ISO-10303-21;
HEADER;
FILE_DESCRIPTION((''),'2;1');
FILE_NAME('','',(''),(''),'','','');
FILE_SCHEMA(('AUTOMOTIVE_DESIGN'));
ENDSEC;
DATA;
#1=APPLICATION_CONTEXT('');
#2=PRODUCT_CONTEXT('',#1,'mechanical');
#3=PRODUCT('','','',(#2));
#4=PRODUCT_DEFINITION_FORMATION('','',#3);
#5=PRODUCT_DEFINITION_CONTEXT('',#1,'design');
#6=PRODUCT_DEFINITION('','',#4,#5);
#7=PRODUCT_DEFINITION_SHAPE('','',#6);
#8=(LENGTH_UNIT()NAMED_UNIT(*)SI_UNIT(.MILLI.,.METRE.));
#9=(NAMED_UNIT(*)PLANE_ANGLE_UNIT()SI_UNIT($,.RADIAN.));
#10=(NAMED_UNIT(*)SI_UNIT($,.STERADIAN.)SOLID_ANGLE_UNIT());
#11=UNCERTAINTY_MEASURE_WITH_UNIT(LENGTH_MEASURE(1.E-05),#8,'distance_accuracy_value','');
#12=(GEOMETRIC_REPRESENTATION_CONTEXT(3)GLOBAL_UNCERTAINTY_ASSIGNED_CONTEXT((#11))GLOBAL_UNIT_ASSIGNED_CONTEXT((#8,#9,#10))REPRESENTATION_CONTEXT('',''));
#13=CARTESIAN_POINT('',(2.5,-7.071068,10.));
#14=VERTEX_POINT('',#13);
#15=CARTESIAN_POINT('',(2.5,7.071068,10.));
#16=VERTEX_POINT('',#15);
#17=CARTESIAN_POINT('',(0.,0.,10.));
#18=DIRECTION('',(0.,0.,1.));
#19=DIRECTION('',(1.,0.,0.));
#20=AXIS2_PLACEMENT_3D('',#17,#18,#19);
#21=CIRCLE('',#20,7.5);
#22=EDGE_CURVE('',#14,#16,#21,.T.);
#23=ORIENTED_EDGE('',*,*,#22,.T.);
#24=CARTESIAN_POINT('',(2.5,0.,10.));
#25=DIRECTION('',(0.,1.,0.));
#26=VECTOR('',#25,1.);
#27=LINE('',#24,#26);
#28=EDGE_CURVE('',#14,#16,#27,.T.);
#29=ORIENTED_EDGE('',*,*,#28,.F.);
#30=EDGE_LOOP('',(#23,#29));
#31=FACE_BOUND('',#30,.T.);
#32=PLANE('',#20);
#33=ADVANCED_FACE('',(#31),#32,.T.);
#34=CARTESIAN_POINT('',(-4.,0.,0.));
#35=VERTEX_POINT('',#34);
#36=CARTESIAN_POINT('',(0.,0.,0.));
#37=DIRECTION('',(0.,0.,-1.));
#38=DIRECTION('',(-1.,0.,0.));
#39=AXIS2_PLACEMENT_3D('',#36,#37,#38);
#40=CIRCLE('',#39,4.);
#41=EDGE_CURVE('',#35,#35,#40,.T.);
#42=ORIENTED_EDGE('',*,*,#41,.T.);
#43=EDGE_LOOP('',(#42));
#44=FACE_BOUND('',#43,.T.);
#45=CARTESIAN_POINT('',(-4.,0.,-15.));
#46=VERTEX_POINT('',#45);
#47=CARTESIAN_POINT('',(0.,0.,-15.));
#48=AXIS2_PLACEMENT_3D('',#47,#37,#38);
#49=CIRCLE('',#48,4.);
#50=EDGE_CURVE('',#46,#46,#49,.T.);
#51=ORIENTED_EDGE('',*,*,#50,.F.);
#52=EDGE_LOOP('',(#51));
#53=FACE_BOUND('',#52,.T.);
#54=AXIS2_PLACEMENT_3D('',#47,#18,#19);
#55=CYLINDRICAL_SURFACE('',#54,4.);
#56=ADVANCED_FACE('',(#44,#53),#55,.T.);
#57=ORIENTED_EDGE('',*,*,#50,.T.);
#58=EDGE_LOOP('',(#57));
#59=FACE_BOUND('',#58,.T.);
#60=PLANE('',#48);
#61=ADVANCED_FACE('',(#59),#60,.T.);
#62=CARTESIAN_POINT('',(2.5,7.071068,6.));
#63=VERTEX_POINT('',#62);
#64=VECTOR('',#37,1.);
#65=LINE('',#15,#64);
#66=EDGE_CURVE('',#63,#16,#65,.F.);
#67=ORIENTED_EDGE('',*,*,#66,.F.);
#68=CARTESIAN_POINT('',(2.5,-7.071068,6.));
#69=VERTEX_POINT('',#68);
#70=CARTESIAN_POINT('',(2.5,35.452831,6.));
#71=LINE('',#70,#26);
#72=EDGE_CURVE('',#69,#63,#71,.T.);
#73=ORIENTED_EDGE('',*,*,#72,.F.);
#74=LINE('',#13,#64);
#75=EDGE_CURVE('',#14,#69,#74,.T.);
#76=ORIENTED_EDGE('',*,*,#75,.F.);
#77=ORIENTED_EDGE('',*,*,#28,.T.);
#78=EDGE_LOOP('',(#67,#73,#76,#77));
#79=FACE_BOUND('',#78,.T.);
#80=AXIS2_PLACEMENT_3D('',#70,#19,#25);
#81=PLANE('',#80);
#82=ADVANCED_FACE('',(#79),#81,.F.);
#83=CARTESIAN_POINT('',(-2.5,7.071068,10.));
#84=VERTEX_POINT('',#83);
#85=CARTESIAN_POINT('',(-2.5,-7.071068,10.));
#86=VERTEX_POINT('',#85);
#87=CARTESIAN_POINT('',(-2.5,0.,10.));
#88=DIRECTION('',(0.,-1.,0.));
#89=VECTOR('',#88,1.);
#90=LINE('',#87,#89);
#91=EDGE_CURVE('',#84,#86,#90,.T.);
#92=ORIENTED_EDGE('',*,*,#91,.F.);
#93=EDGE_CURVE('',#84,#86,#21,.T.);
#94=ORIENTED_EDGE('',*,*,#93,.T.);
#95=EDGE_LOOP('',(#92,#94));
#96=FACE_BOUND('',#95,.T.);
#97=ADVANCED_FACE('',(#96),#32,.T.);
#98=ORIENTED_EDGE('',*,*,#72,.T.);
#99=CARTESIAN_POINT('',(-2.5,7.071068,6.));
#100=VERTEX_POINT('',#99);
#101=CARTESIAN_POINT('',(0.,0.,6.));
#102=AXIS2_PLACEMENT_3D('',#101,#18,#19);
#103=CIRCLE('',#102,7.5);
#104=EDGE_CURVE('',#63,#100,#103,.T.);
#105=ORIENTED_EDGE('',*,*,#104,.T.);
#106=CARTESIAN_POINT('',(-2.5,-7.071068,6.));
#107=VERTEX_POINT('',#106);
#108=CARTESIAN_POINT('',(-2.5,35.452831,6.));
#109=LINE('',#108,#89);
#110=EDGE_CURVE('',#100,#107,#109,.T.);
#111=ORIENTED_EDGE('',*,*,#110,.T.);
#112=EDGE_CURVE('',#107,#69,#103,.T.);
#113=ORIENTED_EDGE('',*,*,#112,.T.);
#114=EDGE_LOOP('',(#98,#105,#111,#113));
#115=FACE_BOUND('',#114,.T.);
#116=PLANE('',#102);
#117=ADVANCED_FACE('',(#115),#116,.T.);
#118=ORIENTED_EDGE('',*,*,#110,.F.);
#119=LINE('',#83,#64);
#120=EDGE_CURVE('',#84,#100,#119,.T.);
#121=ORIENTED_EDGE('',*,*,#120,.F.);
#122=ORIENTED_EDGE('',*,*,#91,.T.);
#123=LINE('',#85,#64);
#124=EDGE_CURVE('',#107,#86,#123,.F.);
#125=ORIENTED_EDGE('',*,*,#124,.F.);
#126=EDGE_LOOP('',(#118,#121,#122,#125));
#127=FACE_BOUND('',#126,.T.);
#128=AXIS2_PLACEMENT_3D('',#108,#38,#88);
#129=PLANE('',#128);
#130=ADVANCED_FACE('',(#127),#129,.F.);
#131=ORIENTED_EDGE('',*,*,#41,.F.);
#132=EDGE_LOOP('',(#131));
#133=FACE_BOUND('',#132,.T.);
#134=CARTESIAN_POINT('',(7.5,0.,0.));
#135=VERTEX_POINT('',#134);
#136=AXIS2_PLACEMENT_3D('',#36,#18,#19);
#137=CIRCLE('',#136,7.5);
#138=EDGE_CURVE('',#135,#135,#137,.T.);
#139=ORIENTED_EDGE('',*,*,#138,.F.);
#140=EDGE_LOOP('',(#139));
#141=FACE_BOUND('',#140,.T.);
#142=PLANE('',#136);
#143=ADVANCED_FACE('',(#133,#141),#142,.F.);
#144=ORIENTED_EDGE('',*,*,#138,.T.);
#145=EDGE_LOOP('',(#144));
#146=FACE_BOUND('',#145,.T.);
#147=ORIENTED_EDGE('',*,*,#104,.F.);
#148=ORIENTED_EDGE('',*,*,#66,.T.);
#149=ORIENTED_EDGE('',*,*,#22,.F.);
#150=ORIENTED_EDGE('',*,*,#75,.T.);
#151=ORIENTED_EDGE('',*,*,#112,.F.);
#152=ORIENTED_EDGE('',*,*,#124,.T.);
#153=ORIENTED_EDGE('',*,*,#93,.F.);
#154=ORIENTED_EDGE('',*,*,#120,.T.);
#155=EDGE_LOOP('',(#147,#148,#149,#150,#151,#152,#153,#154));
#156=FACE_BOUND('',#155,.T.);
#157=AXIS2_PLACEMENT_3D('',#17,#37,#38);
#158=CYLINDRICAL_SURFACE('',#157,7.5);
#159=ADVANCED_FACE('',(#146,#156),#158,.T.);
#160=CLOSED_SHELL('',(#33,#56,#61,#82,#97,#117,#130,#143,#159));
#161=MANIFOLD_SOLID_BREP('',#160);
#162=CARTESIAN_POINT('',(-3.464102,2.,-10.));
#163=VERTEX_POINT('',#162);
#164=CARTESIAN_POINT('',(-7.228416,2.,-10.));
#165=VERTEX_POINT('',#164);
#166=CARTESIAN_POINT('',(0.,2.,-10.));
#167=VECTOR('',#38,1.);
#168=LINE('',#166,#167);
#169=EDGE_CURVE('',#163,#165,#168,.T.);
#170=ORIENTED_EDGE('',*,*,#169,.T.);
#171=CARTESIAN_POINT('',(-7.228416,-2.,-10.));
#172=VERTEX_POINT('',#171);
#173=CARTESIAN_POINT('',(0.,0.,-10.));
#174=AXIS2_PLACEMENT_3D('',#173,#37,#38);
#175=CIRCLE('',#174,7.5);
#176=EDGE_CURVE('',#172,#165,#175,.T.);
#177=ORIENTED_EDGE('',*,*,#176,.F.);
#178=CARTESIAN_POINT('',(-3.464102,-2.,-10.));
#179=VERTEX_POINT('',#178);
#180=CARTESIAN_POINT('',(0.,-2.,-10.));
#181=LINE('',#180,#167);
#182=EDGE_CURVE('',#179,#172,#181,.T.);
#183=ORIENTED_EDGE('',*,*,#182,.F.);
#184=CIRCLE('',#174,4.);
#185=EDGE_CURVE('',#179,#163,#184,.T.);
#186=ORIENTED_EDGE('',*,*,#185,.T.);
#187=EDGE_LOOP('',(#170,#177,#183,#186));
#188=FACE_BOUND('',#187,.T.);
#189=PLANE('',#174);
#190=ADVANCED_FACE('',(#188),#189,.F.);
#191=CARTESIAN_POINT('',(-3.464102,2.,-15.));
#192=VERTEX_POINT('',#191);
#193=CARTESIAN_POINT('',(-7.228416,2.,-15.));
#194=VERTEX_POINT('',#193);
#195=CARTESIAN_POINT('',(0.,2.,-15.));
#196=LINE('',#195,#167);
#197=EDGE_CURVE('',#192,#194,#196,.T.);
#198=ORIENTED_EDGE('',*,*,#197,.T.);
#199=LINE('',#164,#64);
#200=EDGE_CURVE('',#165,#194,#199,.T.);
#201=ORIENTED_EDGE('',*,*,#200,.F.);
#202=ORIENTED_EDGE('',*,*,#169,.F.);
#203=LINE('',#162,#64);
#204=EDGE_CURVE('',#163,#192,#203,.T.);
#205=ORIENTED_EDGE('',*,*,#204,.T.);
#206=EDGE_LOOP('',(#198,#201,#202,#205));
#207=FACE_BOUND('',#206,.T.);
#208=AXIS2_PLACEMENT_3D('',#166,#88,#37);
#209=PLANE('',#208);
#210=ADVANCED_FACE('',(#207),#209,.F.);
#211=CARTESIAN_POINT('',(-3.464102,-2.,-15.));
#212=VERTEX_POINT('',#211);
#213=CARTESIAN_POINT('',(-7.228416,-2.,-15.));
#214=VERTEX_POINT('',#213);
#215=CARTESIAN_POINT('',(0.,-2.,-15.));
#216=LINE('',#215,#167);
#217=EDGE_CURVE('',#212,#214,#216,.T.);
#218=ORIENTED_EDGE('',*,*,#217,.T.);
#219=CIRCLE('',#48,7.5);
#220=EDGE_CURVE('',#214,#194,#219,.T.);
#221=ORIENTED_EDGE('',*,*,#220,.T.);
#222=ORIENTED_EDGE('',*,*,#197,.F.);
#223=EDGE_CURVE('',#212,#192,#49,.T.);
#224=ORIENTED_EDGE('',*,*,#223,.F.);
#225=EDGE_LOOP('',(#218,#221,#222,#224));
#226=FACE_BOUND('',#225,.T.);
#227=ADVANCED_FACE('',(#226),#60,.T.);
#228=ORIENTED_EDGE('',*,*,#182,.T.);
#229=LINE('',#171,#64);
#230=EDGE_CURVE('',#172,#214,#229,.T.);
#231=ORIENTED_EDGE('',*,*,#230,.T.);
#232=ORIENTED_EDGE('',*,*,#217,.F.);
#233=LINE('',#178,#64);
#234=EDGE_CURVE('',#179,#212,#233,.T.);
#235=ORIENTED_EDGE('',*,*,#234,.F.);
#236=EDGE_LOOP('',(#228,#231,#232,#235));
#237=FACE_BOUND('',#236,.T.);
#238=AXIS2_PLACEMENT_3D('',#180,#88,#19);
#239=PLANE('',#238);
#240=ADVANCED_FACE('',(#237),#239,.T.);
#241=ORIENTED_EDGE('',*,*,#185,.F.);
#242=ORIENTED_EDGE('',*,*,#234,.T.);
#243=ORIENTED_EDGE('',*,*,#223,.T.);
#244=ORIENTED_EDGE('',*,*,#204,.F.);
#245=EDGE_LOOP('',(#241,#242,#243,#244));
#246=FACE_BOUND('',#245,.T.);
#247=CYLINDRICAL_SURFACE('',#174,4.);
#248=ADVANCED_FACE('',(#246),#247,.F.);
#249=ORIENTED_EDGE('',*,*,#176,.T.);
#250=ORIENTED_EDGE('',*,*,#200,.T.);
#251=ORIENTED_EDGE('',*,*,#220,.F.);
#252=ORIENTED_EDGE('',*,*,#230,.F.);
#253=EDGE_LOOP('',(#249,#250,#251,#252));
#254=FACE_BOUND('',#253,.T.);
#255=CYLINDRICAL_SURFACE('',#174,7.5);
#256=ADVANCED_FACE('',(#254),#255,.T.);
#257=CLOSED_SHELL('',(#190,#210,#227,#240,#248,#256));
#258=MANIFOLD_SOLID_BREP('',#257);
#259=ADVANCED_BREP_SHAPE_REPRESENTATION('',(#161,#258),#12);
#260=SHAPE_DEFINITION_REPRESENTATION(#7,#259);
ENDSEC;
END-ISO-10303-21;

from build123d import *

# Parameters (mm, degrees)
SKETCH1_R           = 7.5
BOSS_EXTRUDE1_DEPTH = 10
SKETCH2_R           = 4
BOSS_EXTRUDE2_DEPTH = 15
BOSS_EXTRUDE3_DEPTH = 5
SKETCH4_W           = 5
SKETCH4_H           = 49.018189619
CUT_EXTRUDE1_DEPTH  = 4


with BuildPart() as part:
    # Sketch1 → Boss-Extrude1 (new body)
    with BuildSketch(Plane.XY):
        Circle(SKETCH1_R)
    extrude(amount=BOSS_EXTRUDE1_DEPTH)

    # Sketch2 → Boss-Extrude2 (add)
    with BuildSketch(Plane(origin=(0, 0, 0), x_dir=(-1, 0, 0), z_dir=(0, 0, -1))):
        Circle(SKETCH2_R)
    extrude(amount=BOSS_EXTRUDE2_DEPTH)

    # Sketch4 → Cut-Extrude1 (cut)
    with BuildSketch(Plane.XY.offset(10)):
        with Locations((0, 10.94373623)):
            Rectangle(SKETCH4_W, SKETCH4_H)
    extrude(amount=-CUT_EXTRUDE1_DEPTH, mode=Mode.SUBTRACT)


with BuildPart() as body_2:
    # Sketch3 → Boss-Extrude3 (new body)
    with BuildSketch(Plane(origin=(0, 0, -15), x_dir=(-1, 0, 0), z_dir=(0, 0, -1))):
        with BuildLine():
            Line((7.228416147, 2), (3.464101615, 2))
            ThreePointArc((3.464101615, 2), (3.863703305, 1.03527618), (4, 0))
            ThreePointArc((4, 0), (3.863703305, -1.03527618), (3.464101615, -2))
            Line((3.464101615, -2), (7.228416147, -2))
            ThreePointArc((7.228416147, -2), (7.5, 0), (7.228416147, 2))
        make_face()
    extrude(amount=-BOSS_EXTRUDE3_DEPTH)


solid = Compound([part.part, body_2.part])
